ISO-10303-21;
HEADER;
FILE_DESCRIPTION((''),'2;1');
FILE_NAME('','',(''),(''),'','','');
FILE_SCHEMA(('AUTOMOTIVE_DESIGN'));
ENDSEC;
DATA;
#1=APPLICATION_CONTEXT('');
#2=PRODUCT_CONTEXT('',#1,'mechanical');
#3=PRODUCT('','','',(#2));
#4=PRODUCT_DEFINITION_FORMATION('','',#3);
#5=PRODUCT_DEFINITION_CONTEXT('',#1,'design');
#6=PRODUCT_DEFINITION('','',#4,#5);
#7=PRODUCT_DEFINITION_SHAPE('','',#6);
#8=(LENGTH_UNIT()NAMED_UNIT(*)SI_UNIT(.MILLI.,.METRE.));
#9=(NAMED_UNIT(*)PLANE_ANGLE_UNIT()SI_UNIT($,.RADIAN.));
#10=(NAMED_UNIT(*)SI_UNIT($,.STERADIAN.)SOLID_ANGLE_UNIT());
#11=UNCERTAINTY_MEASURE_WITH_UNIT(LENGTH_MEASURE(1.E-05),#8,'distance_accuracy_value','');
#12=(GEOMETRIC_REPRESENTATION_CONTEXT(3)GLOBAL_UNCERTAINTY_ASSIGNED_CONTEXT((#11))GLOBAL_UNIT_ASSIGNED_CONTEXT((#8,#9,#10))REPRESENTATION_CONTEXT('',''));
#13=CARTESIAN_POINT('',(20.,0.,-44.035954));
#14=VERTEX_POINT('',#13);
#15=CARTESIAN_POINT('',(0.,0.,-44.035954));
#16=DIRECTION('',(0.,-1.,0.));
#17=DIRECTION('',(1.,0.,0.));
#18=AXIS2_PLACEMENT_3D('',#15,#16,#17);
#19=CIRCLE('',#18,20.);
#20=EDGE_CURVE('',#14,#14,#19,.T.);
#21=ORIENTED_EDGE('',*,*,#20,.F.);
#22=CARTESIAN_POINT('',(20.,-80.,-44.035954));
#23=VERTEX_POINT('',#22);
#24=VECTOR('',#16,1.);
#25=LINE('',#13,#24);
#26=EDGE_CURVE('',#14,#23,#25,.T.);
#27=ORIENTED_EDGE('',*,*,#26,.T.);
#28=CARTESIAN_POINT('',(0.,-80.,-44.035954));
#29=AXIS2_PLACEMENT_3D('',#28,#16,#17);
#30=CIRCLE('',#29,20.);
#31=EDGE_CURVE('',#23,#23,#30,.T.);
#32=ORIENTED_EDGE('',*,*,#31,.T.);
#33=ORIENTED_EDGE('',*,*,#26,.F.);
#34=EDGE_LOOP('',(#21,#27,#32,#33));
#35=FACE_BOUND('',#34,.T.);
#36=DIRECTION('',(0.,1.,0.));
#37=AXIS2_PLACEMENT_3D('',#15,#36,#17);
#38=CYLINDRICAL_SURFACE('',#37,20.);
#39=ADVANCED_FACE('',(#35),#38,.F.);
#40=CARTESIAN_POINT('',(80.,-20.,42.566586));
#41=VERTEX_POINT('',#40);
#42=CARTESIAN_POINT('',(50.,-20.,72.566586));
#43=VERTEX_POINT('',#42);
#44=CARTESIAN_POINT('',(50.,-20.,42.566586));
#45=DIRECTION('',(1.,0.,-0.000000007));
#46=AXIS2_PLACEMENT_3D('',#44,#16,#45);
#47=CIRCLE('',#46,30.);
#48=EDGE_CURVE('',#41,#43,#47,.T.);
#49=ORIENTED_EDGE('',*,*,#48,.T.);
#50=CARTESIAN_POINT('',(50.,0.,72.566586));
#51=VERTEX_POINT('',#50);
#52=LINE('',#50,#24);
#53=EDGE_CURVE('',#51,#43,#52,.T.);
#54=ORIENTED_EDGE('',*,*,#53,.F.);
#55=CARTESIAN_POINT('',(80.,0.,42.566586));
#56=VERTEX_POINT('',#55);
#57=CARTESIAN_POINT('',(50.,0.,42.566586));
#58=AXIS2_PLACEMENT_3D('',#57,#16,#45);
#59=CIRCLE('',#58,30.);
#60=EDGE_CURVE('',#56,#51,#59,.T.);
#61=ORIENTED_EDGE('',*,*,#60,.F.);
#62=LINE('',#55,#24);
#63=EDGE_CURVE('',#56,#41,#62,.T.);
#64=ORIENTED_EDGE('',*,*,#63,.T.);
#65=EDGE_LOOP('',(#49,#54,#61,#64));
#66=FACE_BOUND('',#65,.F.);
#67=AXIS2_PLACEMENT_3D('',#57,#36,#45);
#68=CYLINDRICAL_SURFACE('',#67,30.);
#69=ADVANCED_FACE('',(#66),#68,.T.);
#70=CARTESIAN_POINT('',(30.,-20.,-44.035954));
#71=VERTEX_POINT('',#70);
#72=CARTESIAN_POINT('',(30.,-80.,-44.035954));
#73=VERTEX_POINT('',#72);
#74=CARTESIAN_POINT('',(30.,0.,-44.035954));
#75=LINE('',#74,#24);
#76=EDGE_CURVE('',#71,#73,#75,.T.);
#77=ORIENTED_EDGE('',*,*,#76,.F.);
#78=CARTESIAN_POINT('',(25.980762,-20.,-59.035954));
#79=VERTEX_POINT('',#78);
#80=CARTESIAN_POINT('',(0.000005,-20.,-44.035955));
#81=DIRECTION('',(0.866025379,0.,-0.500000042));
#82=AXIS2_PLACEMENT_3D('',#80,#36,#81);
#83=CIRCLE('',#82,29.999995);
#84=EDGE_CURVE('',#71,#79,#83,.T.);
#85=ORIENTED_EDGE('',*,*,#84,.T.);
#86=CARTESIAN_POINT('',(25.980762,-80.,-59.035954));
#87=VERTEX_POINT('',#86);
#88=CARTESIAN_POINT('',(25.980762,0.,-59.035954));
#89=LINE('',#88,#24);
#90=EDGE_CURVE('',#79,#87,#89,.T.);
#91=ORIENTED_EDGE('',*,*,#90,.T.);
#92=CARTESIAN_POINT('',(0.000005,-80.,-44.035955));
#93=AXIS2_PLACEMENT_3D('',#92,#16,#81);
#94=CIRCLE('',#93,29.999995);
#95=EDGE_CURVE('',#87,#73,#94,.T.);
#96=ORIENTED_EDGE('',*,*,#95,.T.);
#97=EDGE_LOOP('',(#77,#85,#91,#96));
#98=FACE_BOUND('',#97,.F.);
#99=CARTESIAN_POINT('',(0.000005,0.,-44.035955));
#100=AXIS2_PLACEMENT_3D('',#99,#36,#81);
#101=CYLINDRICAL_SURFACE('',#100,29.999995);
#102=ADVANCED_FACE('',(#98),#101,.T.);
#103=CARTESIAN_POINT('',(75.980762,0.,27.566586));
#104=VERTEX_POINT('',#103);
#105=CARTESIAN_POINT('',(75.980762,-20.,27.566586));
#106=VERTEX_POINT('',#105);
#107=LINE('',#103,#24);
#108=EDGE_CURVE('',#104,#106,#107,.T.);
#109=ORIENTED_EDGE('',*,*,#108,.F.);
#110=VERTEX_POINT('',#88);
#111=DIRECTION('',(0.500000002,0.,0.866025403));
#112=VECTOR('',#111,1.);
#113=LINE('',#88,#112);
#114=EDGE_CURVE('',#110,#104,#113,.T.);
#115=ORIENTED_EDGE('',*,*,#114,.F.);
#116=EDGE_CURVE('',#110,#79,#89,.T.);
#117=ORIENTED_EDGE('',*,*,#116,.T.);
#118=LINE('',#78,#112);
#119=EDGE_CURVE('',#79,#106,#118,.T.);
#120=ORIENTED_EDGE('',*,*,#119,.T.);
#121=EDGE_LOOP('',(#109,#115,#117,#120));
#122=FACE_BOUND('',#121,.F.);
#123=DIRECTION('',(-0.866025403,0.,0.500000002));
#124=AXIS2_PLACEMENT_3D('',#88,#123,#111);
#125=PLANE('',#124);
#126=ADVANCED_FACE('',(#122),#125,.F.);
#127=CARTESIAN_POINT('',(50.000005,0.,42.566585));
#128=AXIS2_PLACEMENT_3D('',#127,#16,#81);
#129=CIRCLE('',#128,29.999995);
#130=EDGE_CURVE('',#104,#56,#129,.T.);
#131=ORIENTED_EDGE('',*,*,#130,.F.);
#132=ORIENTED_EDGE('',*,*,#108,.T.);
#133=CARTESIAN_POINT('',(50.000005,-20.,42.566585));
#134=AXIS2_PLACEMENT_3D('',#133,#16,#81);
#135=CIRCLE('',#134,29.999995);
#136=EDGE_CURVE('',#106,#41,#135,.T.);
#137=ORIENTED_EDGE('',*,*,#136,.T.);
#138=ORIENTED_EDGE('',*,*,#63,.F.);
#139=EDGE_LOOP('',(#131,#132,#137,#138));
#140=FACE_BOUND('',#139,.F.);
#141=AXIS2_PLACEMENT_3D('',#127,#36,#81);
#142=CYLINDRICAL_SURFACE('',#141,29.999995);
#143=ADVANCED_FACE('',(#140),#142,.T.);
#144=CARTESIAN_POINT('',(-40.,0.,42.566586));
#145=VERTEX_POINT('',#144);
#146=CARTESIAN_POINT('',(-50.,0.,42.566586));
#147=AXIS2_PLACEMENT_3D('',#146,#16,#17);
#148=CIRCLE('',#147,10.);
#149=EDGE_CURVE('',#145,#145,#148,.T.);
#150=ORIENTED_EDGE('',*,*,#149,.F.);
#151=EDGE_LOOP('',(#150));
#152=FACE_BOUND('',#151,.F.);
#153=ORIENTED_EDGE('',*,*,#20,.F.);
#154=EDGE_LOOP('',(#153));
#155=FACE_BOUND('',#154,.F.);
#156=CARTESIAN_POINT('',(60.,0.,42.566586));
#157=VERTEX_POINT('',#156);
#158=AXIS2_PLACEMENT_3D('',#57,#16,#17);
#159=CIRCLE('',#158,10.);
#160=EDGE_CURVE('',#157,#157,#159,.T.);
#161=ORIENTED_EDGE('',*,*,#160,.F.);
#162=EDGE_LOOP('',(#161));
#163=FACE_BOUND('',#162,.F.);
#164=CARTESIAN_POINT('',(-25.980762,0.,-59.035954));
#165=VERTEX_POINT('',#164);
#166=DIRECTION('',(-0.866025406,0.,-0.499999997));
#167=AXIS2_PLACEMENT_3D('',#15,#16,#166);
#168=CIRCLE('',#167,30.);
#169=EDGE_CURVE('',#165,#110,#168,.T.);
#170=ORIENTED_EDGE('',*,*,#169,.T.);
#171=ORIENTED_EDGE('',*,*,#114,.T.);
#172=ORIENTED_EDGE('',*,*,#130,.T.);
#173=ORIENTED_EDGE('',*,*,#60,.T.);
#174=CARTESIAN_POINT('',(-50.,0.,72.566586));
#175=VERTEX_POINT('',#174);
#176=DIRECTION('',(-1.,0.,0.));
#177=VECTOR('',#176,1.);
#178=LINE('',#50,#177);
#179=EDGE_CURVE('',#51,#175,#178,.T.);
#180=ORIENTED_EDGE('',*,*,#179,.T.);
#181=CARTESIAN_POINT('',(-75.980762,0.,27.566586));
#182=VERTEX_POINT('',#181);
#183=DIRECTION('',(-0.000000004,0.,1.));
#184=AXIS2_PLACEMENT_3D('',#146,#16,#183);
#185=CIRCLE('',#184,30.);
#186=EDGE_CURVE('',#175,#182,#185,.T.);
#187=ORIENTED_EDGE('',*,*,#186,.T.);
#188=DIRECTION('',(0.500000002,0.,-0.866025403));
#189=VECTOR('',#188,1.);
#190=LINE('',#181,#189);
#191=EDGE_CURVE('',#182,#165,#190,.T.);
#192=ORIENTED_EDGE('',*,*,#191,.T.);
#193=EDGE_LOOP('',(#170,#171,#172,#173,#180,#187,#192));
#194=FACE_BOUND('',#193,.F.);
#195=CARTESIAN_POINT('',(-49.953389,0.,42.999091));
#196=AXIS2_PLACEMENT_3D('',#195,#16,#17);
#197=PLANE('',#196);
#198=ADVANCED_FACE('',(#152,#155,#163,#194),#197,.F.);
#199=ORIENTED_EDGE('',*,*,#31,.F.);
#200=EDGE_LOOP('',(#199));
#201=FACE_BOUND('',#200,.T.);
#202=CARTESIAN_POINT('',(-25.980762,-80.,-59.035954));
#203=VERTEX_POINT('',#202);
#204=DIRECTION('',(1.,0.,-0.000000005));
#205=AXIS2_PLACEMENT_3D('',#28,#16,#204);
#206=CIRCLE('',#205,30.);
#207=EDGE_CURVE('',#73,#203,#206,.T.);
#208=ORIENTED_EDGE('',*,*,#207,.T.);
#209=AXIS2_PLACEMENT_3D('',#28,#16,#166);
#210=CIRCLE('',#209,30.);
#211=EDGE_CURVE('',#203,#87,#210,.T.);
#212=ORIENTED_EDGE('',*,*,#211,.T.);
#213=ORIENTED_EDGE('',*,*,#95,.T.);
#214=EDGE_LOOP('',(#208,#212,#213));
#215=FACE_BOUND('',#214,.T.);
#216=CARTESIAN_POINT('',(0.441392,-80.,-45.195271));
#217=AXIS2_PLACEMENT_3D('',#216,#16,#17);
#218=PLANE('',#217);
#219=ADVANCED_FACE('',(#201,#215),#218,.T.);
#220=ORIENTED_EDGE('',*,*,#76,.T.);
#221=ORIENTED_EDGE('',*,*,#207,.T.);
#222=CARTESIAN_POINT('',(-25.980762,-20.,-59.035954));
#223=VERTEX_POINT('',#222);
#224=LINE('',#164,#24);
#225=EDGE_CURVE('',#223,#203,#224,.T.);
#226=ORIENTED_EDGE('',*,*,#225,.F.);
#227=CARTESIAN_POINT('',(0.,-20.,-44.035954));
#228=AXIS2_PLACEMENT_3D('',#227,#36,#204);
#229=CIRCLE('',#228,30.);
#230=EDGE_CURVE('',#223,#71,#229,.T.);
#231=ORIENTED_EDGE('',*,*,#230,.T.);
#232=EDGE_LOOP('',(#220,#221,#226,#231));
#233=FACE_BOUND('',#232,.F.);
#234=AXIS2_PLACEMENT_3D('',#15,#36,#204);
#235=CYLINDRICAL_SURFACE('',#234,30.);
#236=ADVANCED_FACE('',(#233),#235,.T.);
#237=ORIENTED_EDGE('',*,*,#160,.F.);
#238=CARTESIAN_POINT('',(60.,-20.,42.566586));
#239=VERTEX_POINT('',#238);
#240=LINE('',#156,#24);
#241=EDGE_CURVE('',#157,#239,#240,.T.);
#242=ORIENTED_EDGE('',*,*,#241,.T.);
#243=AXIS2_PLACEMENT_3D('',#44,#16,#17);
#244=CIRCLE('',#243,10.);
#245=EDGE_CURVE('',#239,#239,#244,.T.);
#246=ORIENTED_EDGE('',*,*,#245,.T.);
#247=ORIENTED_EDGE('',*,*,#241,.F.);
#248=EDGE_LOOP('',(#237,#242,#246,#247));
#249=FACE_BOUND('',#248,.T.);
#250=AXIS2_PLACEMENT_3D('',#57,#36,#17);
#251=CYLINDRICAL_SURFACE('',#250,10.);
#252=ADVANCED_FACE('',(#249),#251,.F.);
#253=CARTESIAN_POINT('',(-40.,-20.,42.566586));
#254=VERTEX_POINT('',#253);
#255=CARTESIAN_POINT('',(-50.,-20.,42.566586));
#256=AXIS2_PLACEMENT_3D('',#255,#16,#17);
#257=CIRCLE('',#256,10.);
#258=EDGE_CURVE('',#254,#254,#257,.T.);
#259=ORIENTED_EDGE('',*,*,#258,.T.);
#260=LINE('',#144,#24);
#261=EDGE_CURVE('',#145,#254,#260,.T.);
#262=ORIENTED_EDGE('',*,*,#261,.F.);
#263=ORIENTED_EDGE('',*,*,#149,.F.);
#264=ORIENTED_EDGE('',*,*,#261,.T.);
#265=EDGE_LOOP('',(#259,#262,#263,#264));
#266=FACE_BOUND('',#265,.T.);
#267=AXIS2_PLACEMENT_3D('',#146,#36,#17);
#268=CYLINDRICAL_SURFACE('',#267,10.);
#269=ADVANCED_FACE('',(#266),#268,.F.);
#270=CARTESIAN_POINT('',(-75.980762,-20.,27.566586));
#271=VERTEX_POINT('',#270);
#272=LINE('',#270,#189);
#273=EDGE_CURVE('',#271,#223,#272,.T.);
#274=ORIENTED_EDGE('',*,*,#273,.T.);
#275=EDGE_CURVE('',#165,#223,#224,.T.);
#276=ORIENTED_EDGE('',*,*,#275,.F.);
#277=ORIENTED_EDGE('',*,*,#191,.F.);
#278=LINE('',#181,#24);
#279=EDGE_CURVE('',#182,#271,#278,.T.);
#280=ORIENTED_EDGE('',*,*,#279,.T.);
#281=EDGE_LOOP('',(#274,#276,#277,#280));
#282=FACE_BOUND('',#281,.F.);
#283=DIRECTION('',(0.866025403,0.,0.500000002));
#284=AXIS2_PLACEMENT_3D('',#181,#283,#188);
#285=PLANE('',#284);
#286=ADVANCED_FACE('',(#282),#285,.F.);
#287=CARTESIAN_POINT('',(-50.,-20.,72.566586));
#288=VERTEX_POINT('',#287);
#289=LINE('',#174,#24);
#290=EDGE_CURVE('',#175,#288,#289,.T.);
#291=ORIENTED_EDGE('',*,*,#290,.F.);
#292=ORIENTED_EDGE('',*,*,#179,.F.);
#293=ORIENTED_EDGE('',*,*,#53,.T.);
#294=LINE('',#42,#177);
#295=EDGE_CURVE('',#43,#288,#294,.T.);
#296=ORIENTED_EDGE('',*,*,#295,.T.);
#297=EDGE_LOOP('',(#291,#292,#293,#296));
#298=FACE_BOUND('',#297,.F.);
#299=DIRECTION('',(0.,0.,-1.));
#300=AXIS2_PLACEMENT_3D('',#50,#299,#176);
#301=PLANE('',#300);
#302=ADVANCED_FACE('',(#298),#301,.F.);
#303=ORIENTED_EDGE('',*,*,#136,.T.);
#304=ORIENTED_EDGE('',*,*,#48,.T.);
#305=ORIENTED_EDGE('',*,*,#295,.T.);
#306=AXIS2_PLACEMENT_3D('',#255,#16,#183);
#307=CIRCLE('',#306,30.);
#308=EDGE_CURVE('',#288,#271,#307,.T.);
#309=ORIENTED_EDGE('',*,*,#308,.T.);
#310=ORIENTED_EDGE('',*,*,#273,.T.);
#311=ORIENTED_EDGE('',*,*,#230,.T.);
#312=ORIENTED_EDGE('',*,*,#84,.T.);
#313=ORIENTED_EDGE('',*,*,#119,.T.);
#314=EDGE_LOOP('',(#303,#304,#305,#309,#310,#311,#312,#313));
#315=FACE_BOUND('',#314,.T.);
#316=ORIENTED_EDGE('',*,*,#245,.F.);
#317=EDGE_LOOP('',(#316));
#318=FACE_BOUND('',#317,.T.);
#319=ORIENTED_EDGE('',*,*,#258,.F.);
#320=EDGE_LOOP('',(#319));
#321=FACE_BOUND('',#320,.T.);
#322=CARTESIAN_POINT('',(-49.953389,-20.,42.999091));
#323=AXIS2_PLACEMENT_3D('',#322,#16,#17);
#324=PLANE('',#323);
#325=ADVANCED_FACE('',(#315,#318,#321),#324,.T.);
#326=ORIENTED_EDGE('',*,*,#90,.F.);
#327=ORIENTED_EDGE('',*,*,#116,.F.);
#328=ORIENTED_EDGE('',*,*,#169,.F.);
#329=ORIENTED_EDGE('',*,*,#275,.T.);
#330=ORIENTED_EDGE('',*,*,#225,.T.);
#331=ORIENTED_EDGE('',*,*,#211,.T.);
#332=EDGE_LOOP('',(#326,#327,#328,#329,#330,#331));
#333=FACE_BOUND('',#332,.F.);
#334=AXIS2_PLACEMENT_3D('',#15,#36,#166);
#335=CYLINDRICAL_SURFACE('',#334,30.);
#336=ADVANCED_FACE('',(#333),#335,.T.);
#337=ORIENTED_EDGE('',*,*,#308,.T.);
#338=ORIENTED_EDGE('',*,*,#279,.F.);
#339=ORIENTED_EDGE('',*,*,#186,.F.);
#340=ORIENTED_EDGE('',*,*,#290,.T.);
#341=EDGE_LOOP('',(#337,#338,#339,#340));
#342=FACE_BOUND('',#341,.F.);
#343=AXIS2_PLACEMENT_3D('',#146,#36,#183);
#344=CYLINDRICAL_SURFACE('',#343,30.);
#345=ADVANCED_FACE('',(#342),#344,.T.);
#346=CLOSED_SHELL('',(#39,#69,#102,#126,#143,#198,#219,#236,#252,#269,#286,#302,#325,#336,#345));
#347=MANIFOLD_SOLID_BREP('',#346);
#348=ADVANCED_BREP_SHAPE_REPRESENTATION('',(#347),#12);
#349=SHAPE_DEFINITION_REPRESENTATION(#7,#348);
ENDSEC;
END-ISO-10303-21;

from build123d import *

# Parameters (mm, degrees)
F0_R     = 10
F0_R_2   = 20
F1_DEPTH = 20
F2_DEPTH = 80


with BuildPart() as f1:
    # F0 (on Front) → F1 (new body)
    with BuildSketch(Plane.XZ):
        with BuildLine():
            ThreePointArc((-75.980762, 27.566586), (-42.235429, 13.588811), (-20, 42.566586))
            ThreePointArc((-20, 42.566586), (-28.786797, 63.77979), (-50, 72.566586))
            ThreePointArc((-50, 72.566586), (-75.980762, 57.566586), (-75.980762, 27.566586))
        make_face()
        with Locations((-50, 42.566586)):
            Circle(F0_R, mode=Mode.SUBTRACT)
        with BuildLine():
            ThreePointArc((-50, 72.566586), (-28.786797, 63.77979), (-20, 42.566586))
            ThreePointArc((-20, 42.566586), (-42.235429, 13.588811), (-75.980762, 27.566586))
            Line((-75.980762, 27.566586), (-25.980762, -59.035954))
            ThreePointArc((-25.980762, -59.035954), (-7.764571, -15.058179), (30, -44.035954))
            ThreePointArc((30, -44.035954), (28.977775, -51.800525), (25.980762, -59.035954))
            Line((25.980762, -59.035954), (75.980762, 27.566586))
            ThreePointArc((75.980762, 27.566586), (24.019238, 27.566586), (50, 72.566586))
            Line((50, 72.566586), (-50, 72.566586))
        make_face()
        with BuildLine():
            ThreePointArc((80, 42.566586), (71.213203, 63.77979), (50, 72.566586))
            ThreePointArc((50, 72.566586), (24.019238, 27.566586), (75.980762, 27.566586))
            ThreePointArc((75.980762, 27.566586), (78.977775, 34.802015), (80, 42.566586))
        make_face()
        with Locations((50, 42.566586)):
            Circle(F0_R, mode=Mode.SUBTRACT)
        with BuildLine():
            ThreePointArc((30, -44.035954), (-7.764571, -15.058179), (-25.980762, -59.035954))
            ThreePointArc((-25.980762, -59.035954), (0, -74.035954), (25.980762, -59.035954))
            ThreePointArc((25.980762, -59.035954), (28.977775, -51.800525), (30, -44.035954))
        make_face()
        with Locations((0, -44.035954)):
            Circle(F0_R_2, mode=Mode.SUBTRACT)
    extrude(amount=F1_DEPTH)

    # F0 (on Front) → F2 (join)
    with BuildSketch(Plane.XZ):
        with BuildLine():
            ThreePointArc((30, -44.035954), (-7.764571, -15.058179), (-25.980762, -59.035954))
            ThreePointArc((-25.980762, -59.035954), (0, -74.035954), (25.980762, -59.035954))
            ThreePointArc((25.980762, -59.035954), (28.977775, -51.800525), (30, -44.035954))
        make_face()
        with Locations((0, -44.035954)):
            Circle(F0_R_2, mode=Mode.SUBTRACT)
    extrude(amount=F2_DEPTH)


solid = f1.part
